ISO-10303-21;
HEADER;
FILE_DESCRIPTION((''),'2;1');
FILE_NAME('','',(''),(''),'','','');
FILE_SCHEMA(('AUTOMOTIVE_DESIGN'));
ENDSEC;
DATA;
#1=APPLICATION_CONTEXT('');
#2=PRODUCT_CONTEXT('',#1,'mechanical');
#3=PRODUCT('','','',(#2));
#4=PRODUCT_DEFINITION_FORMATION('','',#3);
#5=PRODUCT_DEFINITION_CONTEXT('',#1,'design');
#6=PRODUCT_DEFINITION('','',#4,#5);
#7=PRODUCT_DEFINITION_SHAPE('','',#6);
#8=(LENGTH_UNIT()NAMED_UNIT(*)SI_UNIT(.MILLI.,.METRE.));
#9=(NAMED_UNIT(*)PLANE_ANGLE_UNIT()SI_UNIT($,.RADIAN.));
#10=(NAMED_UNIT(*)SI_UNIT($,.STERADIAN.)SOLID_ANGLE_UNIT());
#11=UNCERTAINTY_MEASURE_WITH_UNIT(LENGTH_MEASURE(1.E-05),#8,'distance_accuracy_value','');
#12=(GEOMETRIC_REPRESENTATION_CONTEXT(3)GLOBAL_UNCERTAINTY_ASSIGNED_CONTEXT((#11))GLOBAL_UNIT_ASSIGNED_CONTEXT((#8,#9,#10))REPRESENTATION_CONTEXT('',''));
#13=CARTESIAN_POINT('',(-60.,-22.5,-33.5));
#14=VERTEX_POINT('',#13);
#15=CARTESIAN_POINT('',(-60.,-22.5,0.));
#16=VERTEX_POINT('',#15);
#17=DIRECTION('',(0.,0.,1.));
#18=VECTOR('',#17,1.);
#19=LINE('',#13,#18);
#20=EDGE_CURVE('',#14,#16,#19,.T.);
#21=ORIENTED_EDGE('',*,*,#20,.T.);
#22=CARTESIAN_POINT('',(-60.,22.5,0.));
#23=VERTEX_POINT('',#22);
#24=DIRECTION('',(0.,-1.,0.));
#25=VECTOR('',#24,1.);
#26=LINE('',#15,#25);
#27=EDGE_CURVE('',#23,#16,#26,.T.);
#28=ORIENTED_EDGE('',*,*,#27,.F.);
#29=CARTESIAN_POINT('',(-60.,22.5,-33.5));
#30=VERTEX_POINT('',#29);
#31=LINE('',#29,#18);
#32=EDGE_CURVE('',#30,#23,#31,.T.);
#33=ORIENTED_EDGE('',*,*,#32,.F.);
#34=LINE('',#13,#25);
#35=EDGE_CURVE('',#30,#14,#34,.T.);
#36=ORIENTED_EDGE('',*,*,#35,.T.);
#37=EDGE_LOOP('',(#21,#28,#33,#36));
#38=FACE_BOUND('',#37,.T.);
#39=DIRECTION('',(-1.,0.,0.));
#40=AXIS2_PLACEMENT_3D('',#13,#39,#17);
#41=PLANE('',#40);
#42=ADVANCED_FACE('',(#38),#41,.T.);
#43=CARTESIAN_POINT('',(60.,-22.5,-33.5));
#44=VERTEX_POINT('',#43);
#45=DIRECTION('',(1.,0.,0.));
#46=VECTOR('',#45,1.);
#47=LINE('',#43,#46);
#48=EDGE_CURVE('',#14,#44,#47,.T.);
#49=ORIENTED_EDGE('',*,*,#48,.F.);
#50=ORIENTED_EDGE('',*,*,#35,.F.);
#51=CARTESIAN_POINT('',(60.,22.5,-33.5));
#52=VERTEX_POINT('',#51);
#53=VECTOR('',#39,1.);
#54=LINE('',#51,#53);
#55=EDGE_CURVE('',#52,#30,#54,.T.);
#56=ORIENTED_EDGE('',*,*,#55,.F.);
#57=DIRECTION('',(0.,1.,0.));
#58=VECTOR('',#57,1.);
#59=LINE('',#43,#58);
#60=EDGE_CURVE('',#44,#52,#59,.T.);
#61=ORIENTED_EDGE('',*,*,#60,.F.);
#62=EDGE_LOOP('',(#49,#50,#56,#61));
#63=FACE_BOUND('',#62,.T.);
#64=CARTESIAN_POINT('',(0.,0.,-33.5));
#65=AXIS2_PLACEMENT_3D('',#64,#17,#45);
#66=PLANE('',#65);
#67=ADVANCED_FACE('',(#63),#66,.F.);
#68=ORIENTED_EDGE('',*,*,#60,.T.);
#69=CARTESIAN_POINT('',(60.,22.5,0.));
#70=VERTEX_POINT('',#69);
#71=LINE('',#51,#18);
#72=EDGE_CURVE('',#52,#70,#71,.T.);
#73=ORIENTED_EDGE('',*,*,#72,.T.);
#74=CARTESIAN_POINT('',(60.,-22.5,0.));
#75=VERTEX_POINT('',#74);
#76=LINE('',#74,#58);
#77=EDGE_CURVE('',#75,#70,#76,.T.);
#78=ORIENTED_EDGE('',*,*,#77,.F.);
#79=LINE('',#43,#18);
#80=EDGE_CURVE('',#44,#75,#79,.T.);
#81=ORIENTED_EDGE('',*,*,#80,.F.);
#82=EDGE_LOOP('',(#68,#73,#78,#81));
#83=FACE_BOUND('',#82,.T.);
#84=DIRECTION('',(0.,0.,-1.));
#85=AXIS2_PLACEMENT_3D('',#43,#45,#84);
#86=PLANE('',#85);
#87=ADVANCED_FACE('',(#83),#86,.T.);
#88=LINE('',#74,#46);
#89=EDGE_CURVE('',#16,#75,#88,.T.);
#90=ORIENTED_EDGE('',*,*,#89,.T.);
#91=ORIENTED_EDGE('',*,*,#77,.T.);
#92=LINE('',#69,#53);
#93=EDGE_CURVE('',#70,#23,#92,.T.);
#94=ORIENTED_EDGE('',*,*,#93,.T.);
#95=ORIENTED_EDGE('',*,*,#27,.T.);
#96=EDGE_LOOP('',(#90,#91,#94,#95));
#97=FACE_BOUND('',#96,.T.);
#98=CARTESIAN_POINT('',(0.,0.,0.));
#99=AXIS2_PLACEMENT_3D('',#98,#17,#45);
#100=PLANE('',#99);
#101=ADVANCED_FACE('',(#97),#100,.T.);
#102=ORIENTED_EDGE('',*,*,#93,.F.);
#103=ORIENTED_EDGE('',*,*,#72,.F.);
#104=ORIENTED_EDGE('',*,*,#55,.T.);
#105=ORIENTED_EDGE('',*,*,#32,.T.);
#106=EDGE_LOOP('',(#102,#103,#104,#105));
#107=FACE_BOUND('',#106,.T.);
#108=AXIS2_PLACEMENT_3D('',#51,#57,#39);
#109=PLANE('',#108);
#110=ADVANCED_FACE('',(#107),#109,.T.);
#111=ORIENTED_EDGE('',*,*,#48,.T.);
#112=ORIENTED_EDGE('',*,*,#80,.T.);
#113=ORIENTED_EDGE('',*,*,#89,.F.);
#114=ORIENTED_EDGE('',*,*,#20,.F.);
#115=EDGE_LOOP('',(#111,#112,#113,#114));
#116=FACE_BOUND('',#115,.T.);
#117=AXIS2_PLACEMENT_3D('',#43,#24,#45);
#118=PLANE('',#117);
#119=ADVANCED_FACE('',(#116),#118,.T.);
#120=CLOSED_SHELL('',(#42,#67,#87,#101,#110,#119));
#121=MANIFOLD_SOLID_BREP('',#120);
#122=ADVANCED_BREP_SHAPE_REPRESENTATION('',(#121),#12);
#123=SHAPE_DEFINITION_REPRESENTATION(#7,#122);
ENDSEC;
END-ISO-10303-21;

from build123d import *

# Parameters (mm, degrees)
ESBO_O1_W                = 120
ESBO_O1_H                = 45
RESSALTO_EXTRUS_O1_DEPTH = 33.5


with BuildPart() as part:
    # Esboço1 → Ressalto-extrusão1 (new body)
    with BuildSketch(Plane.XY):
        Rectangle(ESBO_O1_W, ESBO_O1_H)
    extrude(amount=-RESSALTO_EXTRUS_O1_DEPTH)


solid = part.part
